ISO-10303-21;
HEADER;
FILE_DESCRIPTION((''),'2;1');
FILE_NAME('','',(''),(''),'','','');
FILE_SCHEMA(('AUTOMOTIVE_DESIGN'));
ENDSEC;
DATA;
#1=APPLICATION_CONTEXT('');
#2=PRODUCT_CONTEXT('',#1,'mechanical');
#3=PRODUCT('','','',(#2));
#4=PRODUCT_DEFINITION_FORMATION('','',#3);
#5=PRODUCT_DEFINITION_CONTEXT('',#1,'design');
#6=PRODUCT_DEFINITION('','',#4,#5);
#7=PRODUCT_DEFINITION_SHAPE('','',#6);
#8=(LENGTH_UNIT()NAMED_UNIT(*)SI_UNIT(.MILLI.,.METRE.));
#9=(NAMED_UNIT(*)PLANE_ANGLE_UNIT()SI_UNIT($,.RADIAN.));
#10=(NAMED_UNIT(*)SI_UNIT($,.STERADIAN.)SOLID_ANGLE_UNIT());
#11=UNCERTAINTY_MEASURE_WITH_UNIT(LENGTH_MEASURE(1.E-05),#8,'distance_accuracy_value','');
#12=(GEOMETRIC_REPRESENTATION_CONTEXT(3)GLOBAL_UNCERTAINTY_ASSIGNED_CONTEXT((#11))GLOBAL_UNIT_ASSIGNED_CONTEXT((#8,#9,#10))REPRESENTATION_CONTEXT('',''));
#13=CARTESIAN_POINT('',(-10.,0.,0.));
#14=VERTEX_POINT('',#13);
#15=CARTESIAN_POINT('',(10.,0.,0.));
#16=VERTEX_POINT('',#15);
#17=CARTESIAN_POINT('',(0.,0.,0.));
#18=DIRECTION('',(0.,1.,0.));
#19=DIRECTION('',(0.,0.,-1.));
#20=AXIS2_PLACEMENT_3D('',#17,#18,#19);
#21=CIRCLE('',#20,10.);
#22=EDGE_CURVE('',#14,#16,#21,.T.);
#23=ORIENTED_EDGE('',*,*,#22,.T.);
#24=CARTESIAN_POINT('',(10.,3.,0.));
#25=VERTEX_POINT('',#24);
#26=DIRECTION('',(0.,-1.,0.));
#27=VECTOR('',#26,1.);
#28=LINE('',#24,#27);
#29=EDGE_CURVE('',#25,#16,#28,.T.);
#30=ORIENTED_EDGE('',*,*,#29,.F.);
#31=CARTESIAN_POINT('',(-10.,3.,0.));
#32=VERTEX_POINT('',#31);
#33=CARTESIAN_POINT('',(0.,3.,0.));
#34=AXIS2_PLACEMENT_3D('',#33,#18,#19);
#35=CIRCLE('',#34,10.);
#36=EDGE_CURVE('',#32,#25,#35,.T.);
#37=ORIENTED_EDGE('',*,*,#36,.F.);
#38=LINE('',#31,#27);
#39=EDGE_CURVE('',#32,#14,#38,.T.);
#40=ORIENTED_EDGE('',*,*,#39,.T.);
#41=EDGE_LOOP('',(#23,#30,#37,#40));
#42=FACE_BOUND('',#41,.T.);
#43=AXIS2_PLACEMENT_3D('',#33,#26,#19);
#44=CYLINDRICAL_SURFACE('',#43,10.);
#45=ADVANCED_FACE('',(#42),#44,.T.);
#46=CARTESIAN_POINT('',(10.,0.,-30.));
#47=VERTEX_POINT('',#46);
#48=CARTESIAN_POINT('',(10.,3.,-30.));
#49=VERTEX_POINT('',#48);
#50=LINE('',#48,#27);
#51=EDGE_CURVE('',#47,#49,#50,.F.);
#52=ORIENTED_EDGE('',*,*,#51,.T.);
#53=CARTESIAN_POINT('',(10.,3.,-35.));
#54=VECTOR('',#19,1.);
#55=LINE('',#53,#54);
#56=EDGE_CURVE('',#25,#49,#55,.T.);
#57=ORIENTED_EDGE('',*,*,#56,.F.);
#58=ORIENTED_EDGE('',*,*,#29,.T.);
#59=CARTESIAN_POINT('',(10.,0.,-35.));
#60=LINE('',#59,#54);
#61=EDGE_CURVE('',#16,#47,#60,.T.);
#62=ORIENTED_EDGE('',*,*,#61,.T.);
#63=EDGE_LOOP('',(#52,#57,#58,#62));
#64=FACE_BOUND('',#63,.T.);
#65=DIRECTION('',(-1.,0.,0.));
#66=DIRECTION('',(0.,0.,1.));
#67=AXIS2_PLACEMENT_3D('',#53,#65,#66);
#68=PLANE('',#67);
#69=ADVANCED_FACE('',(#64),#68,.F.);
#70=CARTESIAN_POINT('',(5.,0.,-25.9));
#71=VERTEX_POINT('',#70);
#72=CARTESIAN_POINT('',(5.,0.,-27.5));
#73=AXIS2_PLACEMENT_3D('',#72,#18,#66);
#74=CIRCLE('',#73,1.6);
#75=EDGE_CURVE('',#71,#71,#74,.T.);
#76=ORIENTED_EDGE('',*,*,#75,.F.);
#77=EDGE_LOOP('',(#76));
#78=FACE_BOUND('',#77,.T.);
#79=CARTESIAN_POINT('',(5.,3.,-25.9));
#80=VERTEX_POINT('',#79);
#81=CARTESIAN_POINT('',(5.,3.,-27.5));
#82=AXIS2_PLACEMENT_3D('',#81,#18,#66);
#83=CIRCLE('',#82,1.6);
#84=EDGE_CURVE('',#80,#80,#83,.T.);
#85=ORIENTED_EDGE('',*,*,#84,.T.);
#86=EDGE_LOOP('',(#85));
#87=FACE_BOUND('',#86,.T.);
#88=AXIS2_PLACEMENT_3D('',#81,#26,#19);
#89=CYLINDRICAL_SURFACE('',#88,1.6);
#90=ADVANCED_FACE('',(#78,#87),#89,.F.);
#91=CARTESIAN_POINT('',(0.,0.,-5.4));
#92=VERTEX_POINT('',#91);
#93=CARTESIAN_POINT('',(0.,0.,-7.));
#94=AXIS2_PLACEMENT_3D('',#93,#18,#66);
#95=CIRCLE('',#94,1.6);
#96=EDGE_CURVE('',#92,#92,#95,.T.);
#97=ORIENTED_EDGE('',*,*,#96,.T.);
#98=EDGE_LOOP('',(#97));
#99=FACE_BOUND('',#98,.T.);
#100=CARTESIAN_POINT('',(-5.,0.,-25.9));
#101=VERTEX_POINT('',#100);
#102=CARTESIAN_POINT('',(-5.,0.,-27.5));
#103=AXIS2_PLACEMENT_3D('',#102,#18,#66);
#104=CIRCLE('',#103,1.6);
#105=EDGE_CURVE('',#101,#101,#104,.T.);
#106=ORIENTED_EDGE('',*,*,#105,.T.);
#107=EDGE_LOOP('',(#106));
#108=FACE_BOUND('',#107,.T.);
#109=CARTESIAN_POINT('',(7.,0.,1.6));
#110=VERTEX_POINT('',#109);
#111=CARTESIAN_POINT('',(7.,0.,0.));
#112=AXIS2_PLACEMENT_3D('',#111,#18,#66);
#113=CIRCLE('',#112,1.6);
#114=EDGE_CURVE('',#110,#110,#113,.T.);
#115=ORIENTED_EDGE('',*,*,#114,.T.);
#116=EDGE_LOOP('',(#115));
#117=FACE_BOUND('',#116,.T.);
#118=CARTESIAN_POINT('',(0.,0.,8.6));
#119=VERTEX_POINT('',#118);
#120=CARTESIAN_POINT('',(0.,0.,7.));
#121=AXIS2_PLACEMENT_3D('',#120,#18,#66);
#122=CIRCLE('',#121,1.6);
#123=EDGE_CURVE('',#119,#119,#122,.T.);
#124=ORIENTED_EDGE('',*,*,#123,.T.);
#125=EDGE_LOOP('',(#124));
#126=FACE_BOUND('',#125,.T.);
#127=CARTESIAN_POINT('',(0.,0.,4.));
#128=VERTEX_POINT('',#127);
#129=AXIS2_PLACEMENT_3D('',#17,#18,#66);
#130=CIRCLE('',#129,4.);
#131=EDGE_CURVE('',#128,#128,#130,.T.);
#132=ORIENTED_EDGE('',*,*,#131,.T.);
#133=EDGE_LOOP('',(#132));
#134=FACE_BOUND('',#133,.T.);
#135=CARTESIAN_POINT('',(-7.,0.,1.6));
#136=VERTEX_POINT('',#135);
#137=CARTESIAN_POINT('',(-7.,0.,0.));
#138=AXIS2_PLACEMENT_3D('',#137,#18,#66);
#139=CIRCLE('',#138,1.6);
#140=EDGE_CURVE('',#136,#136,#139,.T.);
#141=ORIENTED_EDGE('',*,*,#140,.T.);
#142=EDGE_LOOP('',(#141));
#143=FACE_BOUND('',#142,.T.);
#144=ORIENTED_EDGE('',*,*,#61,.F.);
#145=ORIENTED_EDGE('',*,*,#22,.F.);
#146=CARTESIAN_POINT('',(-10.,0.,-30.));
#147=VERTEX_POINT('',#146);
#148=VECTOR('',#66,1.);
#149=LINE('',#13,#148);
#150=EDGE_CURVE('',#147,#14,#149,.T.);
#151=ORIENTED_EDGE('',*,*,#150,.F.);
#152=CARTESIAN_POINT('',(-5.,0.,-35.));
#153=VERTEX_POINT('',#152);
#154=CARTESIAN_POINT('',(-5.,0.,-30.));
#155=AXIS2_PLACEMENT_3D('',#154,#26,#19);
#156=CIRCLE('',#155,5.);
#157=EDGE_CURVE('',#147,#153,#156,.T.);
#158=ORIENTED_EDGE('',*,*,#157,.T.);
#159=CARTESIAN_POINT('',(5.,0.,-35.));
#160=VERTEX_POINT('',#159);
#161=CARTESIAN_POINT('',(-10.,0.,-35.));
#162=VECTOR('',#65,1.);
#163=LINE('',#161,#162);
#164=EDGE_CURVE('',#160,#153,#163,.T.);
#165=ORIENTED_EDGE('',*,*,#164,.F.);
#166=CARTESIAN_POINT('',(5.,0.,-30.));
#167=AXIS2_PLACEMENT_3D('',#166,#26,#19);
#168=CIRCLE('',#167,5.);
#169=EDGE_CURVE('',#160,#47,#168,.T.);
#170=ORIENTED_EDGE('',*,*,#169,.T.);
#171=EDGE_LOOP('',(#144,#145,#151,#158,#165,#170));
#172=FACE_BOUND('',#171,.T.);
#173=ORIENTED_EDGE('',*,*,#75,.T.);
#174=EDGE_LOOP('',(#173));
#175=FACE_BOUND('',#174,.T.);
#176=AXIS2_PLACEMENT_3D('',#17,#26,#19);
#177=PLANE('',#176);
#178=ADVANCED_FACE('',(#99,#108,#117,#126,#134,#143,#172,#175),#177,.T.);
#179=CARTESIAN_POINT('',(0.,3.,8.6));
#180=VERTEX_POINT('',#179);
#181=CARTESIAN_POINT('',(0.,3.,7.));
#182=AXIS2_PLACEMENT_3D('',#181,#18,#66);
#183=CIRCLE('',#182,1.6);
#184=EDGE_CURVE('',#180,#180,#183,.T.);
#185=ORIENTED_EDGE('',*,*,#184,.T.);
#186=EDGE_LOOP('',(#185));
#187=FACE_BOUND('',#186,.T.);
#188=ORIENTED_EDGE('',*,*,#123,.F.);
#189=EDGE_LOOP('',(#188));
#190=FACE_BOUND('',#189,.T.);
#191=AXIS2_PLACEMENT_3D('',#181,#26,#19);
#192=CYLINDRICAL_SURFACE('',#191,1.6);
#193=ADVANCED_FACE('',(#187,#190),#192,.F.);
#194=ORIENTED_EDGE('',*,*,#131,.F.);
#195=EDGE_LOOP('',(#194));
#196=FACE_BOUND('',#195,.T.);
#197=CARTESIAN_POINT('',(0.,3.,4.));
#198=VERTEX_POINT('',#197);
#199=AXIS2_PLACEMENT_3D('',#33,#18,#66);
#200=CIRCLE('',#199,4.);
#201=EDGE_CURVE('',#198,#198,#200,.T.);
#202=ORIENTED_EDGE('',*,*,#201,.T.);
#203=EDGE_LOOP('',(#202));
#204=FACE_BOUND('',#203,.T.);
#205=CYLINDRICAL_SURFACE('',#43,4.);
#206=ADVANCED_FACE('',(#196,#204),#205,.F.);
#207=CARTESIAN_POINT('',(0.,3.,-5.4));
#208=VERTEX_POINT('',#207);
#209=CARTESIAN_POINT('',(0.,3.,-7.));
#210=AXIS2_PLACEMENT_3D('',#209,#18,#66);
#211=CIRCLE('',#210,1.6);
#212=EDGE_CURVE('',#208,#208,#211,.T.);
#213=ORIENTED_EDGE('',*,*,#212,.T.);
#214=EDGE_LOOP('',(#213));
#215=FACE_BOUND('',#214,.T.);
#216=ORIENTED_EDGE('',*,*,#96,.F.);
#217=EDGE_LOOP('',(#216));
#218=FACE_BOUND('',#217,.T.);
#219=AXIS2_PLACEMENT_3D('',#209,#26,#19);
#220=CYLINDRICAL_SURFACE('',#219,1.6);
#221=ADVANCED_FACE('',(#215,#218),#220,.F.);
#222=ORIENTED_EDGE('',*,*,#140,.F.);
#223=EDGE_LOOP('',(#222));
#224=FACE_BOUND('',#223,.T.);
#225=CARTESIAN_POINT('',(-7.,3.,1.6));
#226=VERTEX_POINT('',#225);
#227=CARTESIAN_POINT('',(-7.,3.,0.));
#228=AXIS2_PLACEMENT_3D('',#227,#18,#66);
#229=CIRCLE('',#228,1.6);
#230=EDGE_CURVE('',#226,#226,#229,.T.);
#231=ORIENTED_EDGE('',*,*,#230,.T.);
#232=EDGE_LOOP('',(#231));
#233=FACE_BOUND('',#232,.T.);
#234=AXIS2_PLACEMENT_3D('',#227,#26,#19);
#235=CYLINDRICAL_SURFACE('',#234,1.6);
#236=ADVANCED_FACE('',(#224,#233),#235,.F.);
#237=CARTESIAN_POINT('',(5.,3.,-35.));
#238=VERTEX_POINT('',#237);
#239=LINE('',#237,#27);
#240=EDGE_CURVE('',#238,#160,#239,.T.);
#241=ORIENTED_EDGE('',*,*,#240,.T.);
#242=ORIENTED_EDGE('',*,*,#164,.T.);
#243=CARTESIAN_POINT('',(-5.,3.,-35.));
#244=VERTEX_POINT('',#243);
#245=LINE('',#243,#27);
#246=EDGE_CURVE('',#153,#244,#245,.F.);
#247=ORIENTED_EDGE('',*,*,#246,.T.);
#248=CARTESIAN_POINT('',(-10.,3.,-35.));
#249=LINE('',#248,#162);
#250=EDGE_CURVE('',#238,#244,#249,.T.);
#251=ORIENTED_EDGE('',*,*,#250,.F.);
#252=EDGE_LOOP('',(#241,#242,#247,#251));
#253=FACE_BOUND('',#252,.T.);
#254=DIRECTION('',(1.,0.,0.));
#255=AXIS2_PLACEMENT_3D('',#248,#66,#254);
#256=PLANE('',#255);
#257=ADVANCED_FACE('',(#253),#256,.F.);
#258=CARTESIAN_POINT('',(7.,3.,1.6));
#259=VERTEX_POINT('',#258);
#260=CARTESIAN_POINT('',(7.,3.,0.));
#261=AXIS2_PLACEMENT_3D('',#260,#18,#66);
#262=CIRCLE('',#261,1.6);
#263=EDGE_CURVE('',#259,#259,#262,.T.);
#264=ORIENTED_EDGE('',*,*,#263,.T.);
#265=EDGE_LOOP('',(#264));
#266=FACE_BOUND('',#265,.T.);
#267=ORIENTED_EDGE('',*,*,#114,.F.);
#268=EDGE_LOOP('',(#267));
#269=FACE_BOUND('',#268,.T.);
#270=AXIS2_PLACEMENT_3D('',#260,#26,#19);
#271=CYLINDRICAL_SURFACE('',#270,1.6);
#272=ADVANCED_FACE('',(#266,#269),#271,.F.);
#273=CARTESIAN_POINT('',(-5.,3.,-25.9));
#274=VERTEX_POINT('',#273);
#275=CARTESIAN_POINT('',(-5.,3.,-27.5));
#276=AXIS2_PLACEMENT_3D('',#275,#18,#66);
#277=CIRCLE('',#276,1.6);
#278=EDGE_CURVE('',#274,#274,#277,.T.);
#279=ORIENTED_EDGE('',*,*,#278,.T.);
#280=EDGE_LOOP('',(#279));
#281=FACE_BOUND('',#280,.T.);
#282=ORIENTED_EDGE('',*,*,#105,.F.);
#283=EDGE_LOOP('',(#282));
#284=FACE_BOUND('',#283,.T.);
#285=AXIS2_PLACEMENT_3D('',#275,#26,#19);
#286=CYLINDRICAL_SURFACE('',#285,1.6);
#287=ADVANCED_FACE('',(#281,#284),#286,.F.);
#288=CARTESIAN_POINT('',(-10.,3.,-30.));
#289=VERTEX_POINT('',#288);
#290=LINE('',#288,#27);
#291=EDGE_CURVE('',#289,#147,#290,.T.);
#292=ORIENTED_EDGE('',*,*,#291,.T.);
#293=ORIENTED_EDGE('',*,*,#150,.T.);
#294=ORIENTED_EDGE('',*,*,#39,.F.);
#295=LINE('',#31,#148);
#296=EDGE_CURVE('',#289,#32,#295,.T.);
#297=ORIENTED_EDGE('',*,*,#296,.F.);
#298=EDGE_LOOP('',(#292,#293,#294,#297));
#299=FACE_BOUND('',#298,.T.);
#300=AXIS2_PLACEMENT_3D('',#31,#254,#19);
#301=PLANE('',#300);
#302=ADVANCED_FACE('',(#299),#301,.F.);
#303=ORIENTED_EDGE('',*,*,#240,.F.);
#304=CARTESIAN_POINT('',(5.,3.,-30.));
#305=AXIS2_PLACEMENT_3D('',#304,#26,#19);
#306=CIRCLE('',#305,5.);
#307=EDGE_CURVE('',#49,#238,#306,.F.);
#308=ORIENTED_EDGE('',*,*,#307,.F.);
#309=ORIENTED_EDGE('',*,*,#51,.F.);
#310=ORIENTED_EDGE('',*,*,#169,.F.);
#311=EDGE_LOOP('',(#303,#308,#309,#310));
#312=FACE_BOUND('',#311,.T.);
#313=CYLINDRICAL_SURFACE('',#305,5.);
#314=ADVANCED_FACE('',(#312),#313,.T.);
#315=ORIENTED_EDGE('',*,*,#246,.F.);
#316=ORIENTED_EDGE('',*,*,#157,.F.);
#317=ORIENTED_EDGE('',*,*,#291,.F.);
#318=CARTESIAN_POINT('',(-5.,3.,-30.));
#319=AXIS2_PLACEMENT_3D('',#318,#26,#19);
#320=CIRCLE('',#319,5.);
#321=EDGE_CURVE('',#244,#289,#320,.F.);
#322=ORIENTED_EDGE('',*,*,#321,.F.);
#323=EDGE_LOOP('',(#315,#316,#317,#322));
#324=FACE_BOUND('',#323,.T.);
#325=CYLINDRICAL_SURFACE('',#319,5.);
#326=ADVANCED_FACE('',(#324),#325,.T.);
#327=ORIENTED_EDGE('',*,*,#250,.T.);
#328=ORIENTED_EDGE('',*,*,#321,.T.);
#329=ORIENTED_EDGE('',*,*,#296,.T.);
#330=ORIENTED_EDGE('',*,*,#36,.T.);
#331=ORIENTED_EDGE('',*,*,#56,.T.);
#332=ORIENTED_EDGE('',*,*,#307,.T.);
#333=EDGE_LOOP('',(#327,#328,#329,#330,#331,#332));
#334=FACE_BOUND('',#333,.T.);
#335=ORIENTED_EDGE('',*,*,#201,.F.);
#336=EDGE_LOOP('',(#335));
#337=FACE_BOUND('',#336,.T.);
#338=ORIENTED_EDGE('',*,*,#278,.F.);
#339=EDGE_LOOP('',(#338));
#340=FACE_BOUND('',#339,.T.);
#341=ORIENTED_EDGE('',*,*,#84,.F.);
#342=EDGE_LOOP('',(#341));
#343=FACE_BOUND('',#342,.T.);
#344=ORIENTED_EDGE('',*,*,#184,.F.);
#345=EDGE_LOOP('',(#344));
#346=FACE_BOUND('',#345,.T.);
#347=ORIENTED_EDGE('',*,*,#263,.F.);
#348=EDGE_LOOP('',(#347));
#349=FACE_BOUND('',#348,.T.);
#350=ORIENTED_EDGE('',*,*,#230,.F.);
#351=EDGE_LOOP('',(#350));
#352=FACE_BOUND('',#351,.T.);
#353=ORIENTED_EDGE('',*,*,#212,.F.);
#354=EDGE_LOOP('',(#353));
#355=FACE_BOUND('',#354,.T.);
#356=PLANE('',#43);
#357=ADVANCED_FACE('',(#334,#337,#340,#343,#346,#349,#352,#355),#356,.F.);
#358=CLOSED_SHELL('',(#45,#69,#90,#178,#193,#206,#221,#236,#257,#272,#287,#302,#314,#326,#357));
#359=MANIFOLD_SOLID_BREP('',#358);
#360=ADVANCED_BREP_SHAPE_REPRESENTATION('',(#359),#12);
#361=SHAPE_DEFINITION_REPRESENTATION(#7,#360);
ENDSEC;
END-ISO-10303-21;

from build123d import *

# Parameters (mm, degrees)
SKETCH_1_R      = 1.6
SKETCH_1_R_2    = 4
EXTRUDE_1_DEPTH = 3
FILLET_1_R      = 5


with BuildPart() as part:
    # 草图1 → 凸台-拉伸1 (new body)
    with BuildSketch(Plane(origin=(0, 0, 0), x_dir=(1, 0, 0), z_dir=(0, 1, 0))):
        with BuildLine():
            Line((-10, 0), (-10, 35))
            Line((-10, 35), (10, 35))
            Line((10, 35), (10, 0))
            ThreePointArc((10, 0), (0, -10), (-10, 0))
        make_face()
        with Locations(Location((-5, 27.5, 0), (0, 0, 270))):
            Circle(SKETCH_1_R, mode=Mode.SUBTRACT)
        with Locations(Location((5, 27.5, 0), (0, 0, 270))):
            Circle(SKETCH_1_R, mode=Mode.SUBTRACT)
        with Locations(Location((0, 7, 0), (0, 0, 270))):
            Circle(SKETCH_1_R, mode=Mode.SUBTRACT)
        with Locations(Location((-7, 0, 0), (0, 0, 270))):
            Circle(SKETCH_1_R, mode=Mode.SUBTRACT)
        with Locations(Location((0, -7, 0), (0, 0, 270))):
            Circle(SKETCH_1_R, mode=Mode.SUBTRACT)
        with Locations(Location((7, 0, 0), (0, 0, 270))):
            Circle(SKETCH_1_R, mode=Mode.SUBTRACT)
        with Locations(Location((0, 0, 0), (0, 0, 270))):
            Circle(SKETCH_1_R_2, mode=Mode.SUBTRACT)
    extrude(amount=EXTRUDE_1_DEPTH)

    # 圆角1
    fillet_1_edges = [part.edges().sort_by_distance(p)[0] for p in [
        (-10, 1.5, -35),
        (10, 1.5, -35),
    ]]
    fillet(fillet_1_edges, radius=FILLET_1_R)


solid = part.part
